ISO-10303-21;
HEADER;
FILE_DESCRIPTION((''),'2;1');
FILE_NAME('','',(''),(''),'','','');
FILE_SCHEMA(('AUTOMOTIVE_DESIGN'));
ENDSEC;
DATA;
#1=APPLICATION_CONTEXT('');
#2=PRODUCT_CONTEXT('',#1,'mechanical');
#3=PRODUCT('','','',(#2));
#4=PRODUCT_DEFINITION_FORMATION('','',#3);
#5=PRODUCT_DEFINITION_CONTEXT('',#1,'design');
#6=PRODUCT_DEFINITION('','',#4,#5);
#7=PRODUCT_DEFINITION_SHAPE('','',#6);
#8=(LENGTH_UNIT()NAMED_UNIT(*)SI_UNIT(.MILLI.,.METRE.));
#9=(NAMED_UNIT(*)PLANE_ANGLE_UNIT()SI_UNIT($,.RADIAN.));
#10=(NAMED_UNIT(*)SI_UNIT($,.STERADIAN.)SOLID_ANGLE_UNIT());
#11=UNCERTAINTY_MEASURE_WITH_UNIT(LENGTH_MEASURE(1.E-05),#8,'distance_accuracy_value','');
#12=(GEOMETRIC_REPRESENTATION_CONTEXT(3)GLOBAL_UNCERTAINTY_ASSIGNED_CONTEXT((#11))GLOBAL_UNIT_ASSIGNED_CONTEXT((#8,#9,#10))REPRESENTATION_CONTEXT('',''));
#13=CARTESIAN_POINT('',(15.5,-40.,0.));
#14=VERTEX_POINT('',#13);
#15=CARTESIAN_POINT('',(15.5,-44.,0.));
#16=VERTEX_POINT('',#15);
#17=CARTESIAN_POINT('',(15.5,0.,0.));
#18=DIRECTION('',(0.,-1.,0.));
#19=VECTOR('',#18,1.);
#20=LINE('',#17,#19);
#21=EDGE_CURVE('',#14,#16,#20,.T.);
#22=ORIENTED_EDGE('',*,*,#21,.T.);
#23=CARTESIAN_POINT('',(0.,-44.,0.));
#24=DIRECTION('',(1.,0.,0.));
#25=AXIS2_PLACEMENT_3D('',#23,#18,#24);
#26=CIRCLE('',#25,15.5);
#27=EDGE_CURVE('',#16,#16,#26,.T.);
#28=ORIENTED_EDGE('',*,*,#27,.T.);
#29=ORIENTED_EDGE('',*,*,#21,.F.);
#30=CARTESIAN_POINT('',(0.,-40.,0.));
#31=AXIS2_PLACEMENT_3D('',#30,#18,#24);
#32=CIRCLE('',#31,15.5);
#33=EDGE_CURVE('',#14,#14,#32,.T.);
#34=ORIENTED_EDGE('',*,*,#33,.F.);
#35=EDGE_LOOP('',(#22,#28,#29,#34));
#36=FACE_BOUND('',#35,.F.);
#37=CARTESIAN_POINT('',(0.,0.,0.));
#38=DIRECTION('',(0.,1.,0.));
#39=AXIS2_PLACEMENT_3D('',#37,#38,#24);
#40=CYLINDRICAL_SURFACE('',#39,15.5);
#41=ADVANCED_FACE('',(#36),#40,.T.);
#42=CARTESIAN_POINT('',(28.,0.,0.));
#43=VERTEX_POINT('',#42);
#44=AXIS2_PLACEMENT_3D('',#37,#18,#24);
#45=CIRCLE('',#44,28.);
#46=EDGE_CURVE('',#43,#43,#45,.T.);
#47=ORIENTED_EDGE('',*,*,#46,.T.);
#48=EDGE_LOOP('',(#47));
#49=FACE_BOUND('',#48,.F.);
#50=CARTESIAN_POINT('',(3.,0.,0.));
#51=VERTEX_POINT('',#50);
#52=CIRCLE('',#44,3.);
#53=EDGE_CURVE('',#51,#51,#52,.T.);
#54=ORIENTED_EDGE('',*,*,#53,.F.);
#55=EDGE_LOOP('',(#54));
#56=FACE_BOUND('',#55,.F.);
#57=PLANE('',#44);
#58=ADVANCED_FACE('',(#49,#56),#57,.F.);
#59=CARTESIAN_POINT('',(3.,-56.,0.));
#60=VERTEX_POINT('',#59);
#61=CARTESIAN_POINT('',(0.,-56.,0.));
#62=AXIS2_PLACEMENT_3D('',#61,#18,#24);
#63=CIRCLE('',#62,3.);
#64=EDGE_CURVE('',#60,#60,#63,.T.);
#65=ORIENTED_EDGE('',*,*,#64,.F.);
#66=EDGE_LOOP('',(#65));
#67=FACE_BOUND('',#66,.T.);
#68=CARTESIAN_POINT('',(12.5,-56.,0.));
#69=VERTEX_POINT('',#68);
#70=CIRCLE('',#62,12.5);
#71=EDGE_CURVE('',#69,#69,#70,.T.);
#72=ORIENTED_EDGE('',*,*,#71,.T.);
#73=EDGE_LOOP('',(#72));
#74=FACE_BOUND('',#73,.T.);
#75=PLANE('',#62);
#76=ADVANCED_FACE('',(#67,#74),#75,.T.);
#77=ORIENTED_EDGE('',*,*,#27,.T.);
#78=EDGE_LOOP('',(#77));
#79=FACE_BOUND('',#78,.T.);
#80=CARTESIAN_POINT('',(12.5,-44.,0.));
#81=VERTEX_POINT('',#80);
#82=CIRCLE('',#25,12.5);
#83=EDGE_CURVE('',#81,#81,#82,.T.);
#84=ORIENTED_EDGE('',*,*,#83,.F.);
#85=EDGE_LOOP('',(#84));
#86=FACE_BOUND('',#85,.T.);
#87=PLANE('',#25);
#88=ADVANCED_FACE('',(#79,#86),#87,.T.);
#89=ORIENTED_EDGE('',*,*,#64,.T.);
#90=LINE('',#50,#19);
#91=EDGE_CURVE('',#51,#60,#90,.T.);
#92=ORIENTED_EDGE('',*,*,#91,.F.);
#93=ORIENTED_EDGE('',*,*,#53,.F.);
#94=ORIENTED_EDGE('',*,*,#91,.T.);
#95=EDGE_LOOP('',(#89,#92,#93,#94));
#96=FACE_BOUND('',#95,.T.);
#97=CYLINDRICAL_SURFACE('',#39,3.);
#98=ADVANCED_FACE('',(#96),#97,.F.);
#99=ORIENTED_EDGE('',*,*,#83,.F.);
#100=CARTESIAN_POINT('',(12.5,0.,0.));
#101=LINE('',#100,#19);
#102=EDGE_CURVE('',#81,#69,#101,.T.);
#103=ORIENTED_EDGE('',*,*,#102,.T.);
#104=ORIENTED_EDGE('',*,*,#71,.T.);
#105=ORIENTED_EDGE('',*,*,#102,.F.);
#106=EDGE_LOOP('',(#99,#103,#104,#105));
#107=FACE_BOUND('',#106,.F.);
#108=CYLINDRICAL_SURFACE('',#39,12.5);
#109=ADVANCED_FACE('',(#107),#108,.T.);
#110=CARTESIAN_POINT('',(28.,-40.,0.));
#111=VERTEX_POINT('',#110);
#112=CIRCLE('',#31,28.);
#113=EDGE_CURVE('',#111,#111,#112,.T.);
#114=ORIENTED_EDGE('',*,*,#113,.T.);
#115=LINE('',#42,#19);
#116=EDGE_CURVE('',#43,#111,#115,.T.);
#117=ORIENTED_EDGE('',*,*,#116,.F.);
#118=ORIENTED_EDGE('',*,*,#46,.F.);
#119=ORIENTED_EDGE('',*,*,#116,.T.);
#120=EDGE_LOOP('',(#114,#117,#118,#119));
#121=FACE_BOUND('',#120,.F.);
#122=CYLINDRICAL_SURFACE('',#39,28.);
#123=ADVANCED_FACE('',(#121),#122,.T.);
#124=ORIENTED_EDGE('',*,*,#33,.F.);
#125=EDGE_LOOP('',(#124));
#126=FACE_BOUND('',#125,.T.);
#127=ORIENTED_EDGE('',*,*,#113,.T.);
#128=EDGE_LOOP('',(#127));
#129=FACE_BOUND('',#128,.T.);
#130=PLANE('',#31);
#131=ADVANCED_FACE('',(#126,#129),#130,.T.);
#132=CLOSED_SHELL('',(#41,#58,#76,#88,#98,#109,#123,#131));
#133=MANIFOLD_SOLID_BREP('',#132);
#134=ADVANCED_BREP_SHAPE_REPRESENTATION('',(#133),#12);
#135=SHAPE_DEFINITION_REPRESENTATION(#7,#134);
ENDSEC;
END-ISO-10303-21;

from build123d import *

# Parameters (mm, degrees)
F0_R     = 12.5
F0_R_2   = 3
F1_DEPTH = 56
F0_R_3   = 15.5
F2_DEPTH = 44
F0_R_4   = 28
F3_DEPTH = 40


with BuildPart() as f1:
    # F0 (on Front) → F1 (new body)
    with BuildSketch(Plane.XZ):
        Circle(F0_R)
        Circle(F0_R_2, mode=Mode.SUBTRACT)
    extrude(amount=F1_DEPTH)

    # F0 (on Front) → F2 (join)
    with BuildSketch(Plane.XZ):
        Circle(F0_R_3)
        Circle(F0_R, mode=Mode.SUBTRACT)
    extrude(amount=F2_DEPTH)

    # F0 (on Front) → F3 (join)
    with BuildSketch(Plane.XZ):
        Circle(F0_R_4)
        Circle(F0_R_3, mode=Mode.SUBTRACT)
    extrude(amount=F3_DEPTH)


solid = f1.part
